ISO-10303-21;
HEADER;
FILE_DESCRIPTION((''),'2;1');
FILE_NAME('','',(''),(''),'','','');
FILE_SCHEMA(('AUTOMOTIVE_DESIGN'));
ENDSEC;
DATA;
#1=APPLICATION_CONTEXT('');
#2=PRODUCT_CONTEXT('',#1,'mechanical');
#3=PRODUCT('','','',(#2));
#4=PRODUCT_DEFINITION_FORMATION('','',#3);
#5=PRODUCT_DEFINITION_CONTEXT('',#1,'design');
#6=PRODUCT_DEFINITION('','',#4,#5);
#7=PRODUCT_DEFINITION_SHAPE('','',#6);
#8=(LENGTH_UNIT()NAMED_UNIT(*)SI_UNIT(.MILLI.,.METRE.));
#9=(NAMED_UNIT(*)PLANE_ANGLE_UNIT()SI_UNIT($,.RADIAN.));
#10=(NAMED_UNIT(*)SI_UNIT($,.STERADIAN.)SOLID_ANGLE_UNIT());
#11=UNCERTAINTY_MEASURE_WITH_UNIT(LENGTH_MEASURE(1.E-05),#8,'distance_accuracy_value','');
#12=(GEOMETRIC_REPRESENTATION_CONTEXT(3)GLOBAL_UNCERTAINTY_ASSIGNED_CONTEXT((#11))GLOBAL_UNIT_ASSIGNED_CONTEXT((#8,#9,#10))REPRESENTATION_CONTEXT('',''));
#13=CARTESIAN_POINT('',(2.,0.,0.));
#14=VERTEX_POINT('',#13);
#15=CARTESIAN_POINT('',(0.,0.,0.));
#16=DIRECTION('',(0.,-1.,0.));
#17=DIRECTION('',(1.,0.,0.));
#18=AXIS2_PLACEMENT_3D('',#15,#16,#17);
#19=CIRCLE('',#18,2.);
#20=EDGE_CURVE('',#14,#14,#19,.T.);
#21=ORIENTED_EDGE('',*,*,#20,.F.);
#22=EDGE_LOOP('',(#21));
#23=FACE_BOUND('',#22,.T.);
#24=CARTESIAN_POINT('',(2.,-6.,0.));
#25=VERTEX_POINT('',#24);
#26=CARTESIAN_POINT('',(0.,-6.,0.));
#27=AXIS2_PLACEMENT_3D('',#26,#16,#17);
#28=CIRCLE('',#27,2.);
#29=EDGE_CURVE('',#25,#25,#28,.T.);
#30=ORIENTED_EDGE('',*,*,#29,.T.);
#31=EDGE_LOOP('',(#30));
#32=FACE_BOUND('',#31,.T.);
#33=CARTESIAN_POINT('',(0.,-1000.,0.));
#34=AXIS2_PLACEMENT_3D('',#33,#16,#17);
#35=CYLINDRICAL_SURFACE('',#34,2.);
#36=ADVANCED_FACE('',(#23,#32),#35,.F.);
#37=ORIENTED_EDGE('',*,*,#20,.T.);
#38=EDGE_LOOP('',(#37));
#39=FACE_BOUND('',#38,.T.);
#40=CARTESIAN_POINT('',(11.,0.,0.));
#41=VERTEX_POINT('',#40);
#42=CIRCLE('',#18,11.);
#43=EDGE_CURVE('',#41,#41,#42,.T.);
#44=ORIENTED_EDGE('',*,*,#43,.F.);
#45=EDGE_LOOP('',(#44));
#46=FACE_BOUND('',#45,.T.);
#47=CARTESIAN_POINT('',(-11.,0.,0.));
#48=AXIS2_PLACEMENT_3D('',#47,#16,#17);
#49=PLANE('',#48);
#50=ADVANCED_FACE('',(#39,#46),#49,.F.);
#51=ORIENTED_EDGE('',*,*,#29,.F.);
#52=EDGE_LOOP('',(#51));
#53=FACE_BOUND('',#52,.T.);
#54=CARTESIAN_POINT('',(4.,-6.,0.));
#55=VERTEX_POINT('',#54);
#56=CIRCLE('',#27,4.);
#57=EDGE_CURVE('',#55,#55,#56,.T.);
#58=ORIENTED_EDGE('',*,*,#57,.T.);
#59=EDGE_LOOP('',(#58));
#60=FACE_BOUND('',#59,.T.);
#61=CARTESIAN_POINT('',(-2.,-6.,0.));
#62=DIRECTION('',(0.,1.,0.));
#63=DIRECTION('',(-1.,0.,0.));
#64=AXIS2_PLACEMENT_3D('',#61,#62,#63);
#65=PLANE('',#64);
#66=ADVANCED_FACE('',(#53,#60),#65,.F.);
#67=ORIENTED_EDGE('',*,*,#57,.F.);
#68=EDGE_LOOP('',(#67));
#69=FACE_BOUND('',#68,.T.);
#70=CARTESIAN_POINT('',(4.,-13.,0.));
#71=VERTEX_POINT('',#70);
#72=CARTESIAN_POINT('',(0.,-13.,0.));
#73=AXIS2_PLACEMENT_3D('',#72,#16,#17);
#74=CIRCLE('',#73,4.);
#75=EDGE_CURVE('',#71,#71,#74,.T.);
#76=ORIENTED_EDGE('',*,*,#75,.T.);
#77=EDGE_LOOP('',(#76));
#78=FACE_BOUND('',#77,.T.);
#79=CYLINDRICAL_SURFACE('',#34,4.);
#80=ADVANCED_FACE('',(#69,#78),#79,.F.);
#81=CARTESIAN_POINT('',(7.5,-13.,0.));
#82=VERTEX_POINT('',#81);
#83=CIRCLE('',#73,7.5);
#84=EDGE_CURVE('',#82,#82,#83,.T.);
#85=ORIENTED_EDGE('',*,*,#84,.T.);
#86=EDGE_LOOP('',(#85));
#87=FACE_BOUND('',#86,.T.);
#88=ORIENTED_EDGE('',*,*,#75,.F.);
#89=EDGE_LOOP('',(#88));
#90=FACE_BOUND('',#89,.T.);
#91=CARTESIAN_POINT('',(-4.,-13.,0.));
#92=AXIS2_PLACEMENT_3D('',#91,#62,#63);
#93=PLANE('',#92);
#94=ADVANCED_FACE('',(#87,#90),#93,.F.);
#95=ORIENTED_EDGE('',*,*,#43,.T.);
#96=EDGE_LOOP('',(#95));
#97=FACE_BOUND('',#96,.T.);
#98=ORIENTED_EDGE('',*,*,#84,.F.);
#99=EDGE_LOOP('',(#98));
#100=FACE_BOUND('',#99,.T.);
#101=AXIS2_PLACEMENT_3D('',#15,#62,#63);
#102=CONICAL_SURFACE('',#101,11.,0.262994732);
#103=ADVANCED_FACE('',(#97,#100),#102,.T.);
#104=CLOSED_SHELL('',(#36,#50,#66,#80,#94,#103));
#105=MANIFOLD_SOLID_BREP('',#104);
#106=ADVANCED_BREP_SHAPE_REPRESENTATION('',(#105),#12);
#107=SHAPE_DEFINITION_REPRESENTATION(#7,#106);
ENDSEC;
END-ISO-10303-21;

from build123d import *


with BuildPart() as part:
    # 草图1 → 旋转1 (revolve)
    with BuildSketch(Plane.XY, mode=Mode.PRIVATE) as revolve_1_sk:
        Polygon((-11, 0), (-2, 0), (-2, -6), (-4, -6), (-4, -13), (-7.5, -13), align=None)
    revolve(revolve_1_sk.sketch.rotate(Axis((0, -1000, 0), (0, 1, 0)), 180), axis=Axis((0, -1000, 0), (0, 1, 0)))


solid = part.part
